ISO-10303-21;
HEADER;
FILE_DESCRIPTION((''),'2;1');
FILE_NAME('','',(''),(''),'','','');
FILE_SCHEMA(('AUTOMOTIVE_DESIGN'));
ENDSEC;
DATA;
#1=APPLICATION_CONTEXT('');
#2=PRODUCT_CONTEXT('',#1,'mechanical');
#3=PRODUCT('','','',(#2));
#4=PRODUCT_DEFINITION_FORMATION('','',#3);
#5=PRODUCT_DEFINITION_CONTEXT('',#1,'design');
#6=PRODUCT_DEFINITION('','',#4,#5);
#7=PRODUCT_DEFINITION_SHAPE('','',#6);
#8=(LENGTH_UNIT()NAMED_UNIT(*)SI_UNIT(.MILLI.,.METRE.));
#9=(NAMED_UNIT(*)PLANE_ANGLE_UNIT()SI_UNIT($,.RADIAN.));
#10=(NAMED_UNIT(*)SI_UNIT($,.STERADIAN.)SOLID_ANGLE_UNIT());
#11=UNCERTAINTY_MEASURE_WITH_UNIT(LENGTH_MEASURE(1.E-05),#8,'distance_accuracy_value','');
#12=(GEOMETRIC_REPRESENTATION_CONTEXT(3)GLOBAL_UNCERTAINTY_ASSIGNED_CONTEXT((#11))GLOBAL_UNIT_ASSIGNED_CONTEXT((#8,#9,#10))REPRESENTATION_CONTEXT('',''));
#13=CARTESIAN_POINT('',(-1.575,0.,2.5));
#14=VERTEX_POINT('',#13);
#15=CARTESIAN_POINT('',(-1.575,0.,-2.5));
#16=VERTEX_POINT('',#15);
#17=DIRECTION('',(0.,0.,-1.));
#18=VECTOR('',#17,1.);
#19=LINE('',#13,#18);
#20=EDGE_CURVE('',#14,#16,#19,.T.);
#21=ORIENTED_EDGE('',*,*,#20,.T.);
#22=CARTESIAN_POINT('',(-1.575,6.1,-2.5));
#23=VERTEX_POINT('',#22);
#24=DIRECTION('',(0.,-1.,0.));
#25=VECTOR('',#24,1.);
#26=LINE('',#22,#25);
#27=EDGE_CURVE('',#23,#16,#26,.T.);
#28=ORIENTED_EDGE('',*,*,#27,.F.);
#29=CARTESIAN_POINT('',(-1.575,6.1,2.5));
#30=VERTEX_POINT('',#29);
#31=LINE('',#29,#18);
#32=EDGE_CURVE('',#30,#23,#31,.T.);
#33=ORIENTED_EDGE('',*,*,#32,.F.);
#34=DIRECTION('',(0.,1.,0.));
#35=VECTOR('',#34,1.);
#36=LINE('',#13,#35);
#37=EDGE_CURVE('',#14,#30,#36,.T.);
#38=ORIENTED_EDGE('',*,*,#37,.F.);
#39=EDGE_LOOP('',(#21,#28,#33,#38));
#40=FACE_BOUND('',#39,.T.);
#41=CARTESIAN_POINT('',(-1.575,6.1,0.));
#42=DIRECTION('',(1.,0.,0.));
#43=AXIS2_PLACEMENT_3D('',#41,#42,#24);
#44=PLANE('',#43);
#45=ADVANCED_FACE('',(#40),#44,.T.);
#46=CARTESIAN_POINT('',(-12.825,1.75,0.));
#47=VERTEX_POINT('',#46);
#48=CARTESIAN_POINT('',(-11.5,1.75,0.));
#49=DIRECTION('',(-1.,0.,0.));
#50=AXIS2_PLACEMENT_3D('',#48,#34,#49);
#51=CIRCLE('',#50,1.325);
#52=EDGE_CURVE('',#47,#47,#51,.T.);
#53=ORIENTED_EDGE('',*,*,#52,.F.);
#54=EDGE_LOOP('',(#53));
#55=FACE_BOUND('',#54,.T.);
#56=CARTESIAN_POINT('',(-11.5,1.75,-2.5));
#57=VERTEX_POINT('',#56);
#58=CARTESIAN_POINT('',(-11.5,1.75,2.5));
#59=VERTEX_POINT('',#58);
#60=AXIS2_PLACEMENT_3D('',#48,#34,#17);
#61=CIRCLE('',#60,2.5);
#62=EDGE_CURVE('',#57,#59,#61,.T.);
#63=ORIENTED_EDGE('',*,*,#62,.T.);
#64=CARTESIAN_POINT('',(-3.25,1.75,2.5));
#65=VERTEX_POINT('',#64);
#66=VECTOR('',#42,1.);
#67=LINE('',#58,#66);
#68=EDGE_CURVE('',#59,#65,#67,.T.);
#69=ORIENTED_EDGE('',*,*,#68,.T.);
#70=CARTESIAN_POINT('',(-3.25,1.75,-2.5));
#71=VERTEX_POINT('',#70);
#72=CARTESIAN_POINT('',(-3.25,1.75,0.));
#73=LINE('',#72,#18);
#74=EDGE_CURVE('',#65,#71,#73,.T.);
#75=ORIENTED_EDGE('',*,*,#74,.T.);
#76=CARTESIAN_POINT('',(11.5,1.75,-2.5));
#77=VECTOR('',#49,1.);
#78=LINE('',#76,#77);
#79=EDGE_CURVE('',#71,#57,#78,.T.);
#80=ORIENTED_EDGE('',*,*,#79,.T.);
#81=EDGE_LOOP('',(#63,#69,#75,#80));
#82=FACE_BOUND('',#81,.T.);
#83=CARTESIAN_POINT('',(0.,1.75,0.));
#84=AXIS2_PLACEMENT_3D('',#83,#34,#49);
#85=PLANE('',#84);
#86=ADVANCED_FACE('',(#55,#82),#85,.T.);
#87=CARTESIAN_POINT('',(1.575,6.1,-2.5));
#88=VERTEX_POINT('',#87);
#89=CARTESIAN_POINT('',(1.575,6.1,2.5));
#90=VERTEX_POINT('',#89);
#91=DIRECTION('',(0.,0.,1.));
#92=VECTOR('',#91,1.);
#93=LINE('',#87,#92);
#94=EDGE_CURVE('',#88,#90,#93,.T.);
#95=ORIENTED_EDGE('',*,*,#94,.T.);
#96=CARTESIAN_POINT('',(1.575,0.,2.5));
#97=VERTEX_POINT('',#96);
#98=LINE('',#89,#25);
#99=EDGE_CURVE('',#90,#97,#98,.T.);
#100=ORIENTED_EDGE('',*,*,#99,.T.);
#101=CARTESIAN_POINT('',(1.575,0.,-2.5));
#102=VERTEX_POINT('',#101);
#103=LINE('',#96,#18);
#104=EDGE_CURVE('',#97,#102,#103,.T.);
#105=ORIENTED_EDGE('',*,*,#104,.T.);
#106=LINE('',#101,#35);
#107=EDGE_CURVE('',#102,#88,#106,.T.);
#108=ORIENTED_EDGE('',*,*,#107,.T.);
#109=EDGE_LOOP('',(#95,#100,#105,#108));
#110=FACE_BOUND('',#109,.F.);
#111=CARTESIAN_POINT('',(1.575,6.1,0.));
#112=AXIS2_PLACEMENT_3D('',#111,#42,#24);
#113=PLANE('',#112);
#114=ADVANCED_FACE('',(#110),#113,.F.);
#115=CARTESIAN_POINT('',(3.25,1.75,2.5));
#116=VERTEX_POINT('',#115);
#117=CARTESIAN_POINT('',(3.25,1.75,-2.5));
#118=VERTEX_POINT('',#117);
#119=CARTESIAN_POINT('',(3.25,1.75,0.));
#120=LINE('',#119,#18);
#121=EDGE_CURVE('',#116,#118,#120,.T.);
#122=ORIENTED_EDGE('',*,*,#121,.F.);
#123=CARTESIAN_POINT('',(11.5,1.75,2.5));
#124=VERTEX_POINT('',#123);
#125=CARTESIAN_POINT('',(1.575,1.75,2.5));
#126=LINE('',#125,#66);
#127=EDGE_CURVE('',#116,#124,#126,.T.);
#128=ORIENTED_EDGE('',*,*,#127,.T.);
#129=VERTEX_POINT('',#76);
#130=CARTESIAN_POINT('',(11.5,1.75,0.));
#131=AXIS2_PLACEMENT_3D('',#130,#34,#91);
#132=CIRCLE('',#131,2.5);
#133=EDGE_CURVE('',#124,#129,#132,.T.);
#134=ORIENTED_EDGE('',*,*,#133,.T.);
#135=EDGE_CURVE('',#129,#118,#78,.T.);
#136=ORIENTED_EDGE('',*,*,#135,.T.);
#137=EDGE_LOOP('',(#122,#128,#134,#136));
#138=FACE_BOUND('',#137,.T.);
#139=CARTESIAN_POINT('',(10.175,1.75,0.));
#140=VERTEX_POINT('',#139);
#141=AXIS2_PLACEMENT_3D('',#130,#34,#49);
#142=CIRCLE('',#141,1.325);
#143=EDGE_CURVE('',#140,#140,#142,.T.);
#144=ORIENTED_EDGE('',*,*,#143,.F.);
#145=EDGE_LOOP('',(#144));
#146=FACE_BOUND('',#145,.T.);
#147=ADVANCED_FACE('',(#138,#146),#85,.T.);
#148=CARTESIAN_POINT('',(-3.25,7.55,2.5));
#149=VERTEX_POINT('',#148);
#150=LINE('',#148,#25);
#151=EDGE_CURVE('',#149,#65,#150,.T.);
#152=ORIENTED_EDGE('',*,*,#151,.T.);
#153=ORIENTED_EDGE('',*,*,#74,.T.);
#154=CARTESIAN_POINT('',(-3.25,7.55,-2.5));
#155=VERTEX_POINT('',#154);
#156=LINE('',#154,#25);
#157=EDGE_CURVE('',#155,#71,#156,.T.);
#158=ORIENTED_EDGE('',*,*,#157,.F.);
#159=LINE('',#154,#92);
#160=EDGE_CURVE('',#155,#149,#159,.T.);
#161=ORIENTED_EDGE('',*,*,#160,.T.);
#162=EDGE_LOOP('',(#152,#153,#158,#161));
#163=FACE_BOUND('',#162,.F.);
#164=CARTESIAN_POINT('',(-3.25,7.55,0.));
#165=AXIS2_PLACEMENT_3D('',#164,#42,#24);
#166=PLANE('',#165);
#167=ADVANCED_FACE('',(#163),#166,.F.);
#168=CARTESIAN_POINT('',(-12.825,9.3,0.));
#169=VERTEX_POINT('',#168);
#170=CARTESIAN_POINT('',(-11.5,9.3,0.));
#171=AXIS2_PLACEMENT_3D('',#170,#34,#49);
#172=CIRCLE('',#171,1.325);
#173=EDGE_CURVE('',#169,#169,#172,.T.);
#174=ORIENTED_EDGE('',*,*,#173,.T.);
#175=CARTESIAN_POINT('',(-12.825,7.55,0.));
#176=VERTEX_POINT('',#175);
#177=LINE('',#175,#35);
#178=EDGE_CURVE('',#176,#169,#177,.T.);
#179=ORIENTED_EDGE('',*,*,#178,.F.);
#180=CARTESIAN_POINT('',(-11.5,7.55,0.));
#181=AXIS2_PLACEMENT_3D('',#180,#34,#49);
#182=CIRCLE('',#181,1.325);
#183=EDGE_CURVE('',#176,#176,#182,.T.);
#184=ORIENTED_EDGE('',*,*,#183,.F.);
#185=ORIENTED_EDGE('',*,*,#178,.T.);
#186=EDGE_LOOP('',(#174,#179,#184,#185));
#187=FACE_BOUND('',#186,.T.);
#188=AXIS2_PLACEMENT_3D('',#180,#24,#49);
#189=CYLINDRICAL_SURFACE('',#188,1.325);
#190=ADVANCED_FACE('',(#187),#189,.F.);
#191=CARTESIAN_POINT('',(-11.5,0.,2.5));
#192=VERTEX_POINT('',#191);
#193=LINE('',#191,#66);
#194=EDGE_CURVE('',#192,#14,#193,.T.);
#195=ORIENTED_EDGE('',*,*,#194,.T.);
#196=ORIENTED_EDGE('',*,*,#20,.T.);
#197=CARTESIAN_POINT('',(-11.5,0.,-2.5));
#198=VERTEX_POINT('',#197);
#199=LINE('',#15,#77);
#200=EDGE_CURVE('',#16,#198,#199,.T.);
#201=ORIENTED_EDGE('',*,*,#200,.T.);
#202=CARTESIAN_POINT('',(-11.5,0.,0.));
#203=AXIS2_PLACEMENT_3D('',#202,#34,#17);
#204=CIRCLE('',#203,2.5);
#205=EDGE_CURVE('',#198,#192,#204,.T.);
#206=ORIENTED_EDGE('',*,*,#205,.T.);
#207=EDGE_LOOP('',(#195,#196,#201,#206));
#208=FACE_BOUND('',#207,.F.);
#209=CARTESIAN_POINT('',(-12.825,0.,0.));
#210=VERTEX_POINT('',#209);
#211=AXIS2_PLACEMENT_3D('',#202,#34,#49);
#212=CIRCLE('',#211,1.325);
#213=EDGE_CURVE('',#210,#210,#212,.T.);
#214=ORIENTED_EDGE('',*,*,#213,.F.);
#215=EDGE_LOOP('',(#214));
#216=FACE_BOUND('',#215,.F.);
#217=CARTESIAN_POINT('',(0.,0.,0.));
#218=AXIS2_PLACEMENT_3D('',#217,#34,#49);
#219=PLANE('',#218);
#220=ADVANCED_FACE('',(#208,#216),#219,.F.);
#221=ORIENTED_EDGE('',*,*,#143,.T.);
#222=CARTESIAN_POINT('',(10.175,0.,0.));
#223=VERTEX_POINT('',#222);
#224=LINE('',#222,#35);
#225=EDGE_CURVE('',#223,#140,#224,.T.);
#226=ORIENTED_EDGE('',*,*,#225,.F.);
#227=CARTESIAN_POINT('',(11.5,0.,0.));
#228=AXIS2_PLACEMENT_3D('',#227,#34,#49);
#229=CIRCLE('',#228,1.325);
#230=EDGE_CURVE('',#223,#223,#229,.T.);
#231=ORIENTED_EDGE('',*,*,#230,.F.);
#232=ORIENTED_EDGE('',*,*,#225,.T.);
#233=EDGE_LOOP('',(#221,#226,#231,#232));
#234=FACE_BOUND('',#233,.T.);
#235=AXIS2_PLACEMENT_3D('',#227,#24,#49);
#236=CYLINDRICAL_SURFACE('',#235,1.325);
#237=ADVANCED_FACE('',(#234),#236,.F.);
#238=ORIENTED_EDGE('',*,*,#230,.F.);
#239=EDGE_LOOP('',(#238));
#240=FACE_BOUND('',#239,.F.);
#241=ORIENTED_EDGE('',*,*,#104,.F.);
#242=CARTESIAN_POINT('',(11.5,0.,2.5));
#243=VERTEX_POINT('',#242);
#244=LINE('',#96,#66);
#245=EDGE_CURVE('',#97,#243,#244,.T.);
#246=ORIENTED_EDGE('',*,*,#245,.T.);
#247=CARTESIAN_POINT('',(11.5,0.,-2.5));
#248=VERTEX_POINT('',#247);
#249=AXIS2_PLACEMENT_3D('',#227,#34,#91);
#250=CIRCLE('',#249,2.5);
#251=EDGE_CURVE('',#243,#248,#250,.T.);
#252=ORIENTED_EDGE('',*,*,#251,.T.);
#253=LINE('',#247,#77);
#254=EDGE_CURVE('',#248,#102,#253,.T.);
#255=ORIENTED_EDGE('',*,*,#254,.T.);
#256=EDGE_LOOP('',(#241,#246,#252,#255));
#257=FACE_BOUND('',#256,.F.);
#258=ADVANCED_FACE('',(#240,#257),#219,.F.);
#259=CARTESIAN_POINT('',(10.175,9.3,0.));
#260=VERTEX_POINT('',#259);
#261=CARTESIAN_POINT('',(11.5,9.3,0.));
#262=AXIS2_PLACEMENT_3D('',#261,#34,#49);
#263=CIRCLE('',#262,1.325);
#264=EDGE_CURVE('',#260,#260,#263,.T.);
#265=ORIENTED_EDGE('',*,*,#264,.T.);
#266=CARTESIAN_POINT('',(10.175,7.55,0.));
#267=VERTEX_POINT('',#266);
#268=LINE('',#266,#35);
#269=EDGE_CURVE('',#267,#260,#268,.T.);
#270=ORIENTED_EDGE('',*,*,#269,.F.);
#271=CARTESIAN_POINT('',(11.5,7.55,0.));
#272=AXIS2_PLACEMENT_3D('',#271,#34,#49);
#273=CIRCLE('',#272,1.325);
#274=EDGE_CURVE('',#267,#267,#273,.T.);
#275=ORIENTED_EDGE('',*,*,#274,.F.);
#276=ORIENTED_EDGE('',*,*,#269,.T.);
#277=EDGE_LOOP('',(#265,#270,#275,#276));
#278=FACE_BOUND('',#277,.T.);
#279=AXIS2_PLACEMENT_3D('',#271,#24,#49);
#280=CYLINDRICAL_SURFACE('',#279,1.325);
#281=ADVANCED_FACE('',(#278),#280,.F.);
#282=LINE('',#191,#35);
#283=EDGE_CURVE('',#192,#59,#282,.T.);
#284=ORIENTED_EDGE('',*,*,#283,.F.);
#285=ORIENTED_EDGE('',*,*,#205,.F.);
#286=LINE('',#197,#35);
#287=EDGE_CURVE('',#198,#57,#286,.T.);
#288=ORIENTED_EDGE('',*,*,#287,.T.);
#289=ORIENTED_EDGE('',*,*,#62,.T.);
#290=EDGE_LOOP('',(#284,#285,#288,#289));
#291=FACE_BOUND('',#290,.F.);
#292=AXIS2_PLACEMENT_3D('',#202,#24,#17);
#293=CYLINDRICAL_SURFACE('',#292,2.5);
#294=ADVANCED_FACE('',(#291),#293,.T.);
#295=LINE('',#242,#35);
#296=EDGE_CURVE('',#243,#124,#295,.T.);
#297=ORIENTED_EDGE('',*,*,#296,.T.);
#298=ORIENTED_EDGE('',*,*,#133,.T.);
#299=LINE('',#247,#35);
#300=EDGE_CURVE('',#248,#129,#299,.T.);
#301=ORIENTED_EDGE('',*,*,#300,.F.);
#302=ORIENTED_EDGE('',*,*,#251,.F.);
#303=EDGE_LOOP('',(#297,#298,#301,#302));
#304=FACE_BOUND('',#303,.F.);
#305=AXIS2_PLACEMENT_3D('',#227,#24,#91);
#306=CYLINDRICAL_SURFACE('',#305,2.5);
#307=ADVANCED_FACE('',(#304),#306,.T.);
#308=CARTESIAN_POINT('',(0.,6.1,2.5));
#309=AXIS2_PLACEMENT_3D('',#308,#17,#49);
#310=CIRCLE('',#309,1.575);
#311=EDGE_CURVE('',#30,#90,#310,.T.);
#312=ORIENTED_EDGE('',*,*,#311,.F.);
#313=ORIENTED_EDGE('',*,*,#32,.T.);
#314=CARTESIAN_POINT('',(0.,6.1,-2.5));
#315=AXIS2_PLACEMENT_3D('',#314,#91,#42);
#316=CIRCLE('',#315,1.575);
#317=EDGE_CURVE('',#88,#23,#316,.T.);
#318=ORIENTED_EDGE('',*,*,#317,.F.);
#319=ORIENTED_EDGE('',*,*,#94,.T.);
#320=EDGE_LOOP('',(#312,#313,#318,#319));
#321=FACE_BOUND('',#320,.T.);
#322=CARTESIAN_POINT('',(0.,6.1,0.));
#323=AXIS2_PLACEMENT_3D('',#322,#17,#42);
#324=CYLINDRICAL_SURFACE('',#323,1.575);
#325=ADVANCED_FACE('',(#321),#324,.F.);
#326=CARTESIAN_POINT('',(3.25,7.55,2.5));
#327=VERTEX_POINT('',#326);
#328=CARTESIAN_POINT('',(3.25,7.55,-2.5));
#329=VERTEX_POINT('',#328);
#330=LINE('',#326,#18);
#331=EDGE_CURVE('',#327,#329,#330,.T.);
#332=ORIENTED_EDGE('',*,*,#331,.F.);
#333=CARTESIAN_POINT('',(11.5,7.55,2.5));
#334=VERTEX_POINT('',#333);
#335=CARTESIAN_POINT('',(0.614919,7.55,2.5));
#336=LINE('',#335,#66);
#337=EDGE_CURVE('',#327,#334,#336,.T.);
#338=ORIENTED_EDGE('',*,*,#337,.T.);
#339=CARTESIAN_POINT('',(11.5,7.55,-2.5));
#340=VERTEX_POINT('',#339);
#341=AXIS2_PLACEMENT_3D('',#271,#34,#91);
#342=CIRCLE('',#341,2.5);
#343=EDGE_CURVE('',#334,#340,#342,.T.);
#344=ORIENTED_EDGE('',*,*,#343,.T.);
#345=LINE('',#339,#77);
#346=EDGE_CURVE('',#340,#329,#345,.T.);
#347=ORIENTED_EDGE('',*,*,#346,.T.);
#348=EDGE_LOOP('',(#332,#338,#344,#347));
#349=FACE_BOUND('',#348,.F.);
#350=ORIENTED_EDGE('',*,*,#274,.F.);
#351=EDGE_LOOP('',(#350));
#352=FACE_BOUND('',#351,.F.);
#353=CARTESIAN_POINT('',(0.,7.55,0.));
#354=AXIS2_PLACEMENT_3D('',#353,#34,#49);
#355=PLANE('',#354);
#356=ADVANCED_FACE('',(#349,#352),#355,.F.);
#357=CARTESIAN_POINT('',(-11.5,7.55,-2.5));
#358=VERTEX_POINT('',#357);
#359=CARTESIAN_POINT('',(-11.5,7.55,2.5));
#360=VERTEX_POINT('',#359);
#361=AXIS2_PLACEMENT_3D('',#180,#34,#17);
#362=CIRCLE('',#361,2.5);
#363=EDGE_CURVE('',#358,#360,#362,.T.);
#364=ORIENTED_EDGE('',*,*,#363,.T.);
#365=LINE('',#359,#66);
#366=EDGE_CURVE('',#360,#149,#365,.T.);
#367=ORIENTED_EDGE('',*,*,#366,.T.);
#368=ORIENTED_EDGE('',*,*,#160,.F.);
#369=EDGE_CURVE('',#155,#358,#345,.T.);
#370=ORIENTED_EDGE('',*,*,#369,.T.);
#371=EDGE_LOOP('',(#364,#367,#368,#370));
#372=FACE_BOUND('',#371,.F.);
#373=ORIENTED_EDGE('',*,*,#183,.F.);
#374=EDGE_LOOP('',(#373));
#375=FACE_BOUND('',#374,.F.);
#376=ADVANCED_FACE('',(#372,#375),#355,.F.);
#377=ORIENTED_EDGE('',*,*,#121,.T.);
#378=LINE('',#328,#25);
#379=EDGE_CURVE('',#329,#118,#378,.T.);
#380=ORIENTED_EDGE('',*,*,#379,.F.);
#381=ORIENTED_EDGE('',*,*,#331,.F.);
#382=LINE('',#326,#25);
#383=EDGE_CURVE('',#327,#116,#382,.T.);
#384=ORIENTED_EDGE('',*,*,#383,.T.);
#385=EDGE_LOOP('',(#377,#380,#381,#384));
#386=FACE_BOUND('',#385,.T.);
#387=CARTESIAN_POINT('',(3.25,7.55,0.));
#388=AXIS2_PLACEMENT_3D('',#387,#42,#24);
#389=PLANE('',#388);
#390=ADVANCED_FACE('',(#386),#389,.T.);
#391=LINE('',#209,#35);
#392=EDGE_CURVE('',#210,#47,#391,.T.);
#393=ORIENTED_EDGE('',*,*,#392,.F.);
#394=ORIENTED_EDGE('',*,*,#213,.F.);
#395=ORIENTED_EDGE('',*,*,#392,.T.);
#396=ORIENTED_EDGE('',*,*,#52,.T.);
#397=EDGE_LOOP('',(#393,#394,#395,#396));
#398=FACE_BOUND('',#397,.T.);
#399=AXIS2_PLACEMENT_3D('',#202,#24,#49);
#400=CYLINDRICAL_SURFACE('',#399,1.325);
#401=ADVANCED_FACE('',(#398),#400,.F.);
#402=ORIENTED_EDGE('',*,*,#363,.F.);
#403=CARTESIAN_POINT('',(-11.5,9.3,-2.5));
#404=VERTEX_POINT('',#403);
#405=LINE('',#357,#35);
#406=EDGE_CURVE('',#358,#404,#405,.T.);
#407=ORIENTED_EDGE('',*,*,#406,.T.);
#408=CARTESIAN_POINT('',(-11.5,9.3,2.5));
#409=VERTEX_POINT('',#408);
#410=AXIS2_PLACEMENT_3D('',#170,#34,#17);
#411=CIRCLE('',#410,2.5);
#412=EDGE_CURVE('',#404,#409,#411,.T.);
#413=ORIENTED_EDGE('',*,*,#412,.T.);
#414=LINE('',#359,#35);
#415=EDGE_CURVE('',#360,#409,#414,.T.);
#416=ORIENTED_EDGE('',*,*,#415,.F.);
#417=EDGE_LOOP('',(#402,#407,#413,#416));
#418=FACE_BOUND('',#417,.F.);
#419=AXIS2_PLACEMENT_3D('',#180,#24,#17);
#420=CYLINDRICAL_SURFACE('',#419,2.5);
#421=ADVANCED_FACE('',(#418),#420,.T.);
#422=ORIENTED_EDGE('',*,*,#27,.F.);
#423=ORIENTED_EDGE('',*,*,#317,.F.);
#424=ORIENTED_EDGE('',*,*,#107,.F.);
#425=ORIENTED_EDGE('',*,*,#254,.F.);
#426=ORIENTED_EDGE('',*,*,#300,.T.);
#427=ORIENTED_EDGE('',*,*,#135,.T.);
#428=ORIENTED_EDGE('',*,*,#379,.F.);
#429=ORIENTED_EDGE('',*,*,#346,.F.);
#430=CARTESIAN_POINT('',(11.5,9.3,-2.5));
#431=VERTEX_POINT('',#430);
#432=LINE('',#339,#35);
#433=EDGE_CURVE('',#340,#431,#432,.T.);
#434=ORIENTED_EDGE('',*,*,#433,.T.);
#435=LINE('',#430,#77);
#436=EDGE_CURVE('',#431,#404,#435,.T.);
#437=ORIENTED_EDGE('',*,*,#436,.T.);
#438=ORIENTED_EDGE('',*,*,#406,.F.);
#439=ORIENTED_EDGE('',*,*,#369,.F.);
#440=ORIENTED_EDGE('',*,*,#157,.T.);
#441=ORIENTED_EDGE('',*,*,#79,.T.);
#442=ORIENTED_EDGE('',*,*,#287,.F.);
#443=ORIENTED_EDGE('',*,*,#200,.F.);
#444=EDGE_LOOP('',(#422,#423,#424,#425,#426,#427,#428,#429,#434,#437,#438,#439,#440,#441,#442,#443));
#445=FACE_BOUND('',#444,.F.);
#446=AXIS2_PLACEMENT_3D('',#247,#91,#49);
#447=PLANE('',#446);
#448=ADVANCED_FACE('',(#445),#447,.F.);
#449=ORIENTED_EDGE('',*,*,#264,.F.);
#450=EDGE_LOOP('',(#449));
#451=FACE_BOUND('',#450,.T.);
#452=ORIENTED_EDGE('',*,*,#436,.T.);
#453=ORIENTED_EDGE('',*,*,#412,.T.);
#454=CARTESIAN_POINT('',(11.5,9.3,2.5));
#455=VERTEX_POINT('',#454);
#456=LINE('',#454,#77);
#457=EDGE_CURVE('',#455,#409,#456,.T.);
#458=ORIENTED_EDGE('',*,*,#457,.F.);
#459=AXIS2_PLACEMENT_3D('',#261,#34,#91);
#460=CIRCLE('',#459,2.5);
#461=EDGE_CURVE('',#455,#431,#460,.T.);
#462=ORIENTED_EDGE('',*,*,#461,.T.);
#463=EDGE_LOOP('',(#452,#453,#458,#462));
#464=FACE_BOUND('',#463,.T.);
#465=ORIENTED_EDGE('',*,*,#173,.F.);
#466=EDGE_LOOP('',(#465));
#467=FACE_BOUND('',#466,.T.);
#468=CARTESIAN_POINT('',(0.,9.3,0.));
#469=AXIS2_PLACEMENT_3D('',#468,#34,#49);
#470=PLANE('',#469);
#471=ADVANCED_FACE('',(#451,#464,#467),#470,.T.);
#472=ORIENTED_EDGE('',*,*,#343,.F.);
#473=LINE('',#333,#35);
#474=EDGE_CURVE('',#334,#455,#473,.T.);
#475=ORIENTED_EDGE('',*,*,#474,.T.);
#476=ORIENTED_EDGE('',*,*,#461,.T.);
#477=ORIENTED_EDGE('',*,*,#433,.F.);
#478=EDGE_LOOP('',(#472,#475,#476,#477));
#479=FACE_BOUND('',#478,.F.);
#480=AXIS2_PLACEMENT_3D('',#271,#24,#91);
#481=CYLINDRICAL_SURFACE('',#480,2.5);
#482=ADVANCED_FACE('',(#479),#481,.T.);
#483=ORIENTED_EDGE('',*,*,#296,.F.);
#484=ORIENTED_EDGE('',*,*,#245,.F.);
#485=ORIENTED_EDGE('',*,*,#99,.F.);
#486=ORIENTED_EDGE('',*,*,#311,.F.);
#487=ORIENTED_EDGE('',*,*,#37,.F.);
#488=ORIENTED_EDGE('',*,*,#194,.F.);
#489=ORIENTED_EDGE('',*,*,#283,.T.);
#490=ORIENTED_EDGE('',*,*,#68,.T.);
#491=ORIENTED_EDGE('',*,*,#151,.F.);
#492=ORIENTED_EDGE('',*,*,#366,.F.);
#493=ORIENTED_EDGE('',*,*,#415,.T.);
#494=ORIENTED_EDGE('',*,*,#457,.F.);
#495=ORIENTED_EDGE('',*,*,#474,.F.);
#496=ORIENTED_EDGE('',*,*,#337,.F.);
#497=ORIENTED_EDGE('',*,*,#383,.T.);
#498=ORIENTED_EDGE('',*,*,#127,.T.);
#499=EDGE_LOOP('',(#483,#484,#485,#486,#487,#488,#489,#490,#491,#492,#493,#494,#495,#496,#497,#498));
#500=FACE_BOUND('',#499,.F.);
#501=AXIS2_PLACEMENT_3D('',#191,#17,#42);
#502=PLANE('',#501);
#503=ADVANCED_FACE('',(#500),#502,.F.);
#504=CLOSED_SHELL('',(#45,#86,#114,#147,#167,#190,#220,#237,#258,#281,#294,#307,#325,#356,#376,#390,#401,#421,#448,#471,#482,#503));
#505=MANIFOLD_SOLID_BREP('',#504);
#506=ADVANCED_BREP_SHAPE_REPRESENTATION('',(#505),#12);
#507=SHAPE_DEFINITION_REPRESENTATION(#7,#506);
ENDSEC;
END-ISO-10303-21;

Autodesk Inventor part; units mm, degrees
ref_plane "YZ Plane" through (0, 0, 0) normal (1, 0, 0) x (0, 1, 0)
ref_plane "XZ Plane" through (0, 0, 0) normal (0, 1, 0) x (-1, 0, 0)
ref_plane "XY Plane" through (0, 0, 0) normal (0, 0, 1) x (1, 0, 0)
sketch "Эскиз1" plane through (0, 0, 0) normal (0, 1, 0) x (-1, 0, 0)
  line L0 (11.5, 0) -> (-11.5, 0) construction
  line L1 (11.5, 2.5) -> (-11.5, 2.5)
  line L2 (-11.5, -2.5) -> (11.5, -2.5)
  arc A0 (11.5, -2.5) -> (11.5, 2.5) centre (11.5, 0) ccw
  arc A1 (-11.5, 2.5) -> (-11.5, -2.5) centre (-11.5, 0) ccw
  circle A2 centre (11.5, 0) radius 1.325
  circle A3 centre (-11.5, 0) radius 1.325
  line L3 (16.5, 7.5) -> (-6.5, 7.5)
  line L4 (-6.5, 2.5) -> (16.5, 2.5)
  arc A4 (16.5, 2.5) -> (16.5, 7.5) centre (16.5, 5) ccw
  arc A5 (-6.5, 7.5) -> (-6.5, 2.5) centre (-6.5, 5) ccw
  line L5 (11.5, 0) -> (16.5, 5) construction
  point P0 (0, 0)
  point P1 (0, 0)
  point P2 (-14, 0)
  point P3 (14, 0)
  point P4 (-9, 5)
  point P5 (19, 5)
  dimension "d0" = 2.65
  dimension "d1" = 2.65
  dimension "d2" = 2.5
  dimension "d6" = 2.5
  dimension "d12" = 45
  dimension "d16" = 23
  dimension "d28" = 5
  dimension "d29" = 7.0711
extrude "Выдавливание1" add sketch "Эскиз1" along normal blind 1.75 contours A0 L2 A1 L1
pattern_linear "Прямоуг.массив1" count 2 spacing 7.55 along (0, 1, 0) of "Выдавливание1"
sketch "Эскиз2" plane through (0, 0, 0) normal (0, 0, 1) x (1, 0, 0)
  arc A0 (1.575, 6.1) -> (-1.575, 6.1) centre (0, 6.1) ccw
  line L0 (-11.5, 9.3) -> (11.5, 9.3) projected
  line L1 (-11.5, 0) -> (11.5, 0) projected
  line L2 (-1.575, 6.1) -> (-1.575, 0)
  line L3 (1.575, 6.1) -> (1.575, 0)
  line L4 (11.5, 7.55) -> (-11.5, 7.55) projected
  line L5 (-3.25, 7.55) -> (-3.25, 0)
  line L6 (3.25, 7.55) -> (3.25, 0)
  line L7 (0, -1.86) -> (0, 11.16) construction
  point P0 (0.6149, 7.55)
  point P1 (-0.6149, 7.55)
  dimension "d21" = 3.15
  dimension "d33" = 3.2
  dimension "d34" = 3.25
  dimension "d35" = 3.25
extrude "Выдавливание2" cut sketch "Эскиз2" along normal mid plane 5 contours L3 L1 L2 A0 L4 | L4 A0
extrude "Выдавливание3" add sketch "Эскиз2" along normal mid plane 5 contours A0 L4 L6 L1 L3 | A0 L2 L1 L5 L4
properties part number "Чертёж"
